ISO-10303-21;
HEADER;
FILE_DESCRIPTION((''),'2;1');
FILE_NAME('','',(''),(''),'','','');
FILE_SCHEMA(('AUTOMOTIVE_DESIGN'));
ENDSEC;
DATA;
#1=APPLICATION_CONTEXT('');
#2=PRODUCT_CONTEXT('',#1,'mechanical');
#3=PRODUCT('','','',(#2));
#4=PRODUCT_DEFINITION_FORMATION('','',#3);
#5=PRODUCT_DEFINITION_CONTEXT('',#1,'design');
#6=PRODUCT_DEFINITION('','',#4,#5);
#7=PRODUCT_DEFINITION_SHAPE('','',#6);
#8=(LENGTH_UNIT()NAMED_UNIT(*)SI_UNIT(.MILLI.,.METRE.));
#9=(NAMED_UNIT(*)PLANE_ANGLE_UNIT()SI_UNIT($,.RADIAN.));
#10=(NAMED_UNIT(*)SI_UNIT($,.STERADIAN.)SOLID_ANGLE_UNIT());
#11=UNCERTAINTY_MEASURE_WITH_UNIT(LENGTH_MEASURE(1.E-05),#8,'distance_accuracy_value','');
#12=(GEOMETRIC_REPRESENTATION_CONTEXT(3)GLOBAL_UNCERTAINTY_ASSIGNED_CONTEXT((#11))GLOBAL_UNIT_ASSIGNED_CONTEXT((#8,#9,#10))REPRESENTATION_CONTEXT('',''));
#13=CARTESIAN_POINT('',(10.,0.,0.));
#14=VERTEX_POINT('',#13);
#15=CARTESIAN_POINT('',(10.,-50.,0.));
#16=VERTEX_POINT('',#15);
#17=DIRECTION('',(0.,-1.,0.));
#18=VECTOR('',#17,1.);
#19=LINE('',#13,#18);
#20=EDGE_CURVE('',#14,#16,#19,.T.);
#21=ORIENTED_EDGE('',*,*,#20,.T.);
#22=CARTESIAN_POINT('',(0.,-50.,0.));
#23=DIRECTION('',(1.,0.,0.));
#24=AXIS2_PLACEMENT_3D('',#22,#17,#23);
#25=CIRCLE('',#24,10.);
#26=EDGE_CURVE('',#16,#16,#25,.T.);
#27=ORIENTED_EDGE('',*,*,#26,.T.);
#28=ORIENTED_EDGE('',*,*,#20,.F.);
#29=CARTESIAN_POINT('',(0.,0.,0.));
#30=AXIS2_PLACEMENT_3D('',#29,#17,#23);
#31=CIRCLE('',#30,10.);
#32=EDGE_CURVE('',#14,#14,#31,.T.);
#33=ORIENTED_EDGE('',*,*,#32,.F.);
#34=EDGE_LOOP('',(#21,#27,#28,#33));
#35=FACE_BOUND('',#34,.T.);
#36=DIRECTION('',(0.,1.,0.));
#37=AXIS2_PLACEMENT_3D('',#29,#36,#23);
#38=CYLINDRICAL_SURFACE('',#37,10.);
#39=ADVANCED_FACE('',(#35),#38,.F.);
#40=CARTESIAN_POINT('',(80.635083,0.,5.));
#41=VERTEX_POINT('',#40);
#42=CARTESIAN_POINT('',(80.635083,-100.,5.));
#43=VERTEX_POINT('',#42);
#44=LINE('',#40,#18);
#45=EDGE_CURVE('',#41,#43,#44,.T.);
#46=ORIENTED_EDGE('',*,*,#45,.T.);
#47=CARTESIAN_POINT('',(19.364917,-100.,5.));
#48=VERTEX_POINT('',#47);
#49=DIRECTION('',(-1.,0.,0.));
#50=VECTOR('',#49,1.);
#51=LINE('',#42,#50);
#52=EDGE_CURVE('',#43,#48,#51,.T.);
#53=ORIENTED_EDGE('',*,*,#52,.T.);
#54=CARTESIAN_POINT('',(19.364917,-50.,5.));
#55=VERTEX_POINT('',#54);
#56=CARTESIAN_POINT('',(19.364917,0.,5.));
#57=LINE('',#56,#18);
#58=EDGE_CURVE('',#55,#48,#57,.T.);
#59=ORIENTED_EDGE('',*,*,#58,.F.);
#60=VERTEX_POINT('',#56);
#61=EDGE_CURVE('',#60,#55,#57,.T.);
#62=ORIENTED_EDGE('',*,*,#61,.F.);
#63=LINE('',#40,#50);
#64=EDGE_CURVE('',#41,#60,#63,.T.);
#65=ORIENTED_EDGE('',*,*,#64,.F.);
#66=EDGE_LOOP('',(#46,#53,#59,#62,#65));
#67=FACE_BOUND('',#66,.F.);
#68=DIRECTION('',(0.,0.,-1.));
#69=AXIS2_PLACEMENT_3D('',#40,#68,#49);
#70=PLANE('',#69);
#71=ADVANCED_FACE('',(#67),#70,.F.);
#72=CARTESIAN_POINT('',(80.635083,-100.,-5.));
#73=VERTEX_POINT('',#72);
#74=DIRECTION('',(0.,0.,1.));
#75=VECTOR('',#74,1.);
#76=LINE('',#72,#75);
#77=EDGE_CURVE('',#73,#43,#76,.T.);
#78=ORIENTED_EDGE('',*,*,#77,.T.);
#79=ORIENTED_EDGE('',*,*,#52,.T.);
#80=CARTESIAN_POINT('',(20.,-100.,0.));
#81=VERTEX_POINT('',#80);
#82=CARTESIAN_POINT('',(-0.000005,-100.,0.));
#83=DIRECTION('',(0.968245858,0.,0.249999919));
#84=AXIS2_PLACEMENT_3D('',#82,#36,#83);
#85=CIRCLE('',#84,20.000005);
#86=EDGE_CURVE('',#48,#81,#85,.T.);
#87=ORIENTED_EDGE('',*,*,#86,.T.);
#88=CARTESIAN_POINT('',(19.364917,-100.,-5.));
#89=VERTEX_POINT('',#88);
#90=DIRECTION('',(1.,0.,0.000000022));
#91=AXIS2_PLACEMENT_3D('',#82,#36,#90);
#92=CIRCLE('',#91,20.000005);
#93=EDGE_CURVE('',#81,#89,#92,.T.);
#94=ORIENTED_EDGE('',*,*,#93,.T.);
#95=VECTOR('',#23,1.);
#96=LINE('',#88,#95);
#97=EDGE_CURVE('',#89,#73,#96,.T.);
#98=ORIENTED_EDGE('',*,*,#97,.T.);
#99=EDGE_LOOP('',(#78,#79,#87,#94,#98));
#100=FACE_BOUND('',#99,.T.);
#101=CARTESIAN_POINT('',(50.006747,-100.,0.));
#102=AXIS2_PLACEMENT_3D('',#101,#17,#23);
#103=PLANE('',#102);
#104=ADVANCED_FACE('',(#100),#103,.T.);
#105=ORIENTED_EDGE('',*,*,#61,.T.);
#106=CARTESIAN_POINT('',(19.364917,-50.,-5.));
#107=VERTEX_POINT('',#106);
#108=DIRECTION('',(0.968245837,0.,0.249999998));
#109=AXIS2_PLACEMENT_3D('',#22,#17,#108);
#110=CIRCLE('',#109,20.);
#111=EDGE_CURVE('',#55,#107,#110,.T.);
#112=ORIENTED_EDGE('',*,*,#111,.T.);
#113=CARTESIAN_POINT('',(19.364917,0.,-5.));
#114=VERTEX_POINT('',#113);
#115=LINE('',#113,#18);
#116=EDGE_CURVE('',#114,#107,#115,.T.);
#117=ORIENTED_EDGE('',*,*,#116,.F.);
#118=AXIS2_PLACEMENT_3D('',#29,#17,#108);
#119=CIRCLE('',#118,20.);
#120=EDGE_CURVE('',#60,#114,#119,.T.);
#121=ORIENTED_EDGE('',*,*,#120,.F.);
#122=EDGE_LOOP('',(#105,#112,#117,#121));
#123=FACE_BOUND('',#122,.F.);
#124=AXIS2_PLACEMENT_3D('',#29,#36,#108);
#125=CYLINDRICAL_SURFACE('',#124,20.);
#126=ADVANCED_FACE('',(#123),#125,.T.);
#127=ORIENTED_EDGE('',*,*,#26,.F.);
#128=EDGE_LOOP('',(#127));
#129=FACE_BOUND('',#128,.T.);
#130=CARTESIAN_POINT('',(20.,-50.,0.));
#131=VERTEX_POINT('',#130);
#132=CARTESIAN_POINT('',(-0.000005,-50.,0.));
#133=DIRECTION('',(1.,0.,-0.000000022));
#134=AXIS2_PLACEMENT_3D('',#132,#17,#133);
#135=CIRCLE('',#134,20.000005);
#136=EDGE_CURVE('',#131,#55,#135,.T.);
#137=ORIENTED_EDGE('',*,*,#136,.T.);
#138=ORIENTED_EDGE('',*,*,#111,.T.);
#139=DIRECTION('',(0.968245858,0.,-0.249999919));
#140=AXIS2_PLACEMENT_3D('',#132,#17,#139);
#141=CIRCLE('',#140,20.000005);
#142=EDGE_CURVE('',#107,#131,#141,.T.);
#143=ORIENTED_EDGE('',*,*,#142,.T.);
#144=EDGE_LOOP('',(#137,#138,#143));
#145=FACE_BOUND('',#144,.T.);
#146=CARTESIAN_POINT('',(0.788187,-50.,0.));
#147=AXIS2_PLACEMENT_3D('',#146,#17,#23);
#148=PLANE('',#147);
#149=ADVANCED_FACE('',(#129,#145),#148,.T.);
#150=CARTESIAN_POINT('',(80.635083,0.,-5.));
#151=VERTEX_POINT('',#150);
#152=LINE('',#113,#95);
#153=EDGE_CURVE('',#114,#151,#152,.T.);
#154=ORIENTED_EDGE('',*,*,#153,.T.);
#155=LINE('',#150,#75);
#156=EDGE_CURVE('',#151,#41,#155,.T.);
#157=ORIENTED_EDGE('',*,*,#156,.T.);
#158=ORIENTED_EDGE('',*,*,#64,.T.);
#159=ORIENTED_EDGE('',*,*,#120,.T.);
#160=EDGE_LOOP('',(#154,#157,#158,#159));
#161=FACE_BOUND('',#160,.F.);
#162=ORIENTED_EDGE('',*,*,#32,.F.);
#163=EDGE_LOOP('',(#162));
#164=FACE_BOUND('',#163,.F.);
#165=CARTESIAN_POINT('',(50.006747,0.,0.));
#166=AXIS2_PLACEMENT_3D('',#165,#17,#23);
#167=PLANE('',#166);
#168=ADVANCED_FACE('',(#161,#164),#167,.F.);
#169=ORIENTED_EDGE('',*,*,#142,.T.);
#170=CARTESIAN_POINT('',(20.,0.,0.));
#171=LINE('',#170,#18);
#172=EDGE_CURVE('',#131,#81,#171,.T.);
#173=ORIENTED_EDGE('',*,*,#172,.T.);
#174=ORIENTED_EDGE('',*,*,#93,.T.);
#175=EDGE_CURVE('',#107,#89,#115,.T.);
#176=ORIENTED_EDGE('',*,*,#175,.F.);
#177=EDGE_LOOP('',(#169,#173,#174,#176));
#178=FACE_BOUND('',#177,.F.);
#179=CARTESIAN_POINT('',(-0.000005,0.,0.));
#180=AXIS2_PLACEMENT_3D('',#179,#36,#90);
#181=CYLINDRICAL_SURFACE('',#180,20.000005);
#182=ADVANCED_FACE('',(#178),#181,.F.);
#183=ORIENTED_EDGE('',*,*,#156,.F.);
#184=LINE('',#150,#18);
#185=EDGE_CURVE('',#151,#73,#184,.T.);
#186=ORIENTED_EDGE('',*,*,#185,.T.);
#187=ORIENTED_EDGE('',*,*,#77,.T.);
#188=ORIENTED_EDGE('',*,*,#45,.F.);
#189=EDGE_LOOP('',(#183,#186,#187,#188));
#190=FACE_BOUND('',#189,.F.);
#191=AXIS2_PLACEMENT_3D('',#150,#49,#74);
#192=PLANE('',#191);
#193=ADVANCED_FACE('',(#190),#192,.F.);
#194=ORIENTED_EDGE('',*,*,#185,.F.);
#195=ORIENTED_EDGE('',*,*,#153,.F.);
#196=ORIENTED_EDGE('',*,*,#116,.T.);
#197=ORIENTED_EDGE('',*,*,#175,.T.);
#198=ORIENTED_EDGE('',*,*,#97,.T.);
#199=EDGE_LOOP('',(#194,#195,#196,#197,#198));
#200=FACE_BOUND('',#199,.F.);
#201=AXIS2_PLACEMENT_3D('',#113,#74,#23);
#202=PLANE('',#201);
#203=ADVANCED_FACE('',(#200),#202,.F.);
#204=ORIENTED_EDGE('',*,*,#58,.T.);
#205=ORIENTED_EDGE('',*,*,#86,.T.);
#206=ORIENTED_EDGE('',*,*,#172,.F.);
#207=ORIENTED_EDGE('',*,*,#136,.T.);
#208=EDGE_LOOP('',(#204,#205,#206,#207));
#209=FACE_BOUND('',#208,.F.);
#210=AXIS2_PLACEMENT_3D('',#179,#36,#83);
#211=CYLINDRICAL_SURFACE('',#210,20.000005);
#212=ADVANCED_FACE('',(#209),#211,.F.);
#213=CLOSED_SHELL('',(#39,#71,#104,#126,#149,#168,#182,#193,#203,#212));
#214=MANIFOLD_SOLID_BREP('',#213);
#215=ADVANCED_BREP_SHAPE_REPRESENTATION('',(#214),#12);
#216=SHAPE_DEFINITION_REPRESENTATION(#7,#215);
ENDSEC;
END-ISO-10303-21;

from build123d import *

# Parameters (mm, degrees)
F0_R     = 10
F1_DEPTH = 50
F2_DEPTH = 100


with BuildPart() as f1:
    # F0 (on Front) → F1 (new body)
    with BuildSketch(Plane.XZ):
        with BuildLine():
            ThreePointArc((19.364917, -5), (19.840594, -2.520086), (20, 0))
            ThreePointArc((20, 0), (19.840594, 2.520086), (19.364917, 5))
            ThreePointArc((19.364917, 5), (-20, 0), (19.364917, -5))
        make_face()
        Circle(F0_R, mode=Mode.SUBTRACT)
    extrude(amount=F1_DEPTH)

    # F0 (on Front) → F2 (join)
    with BuildSketch(Plane.XZ):
        with BuildLine():
            ThreePointArc((19.364917, 5), (19.840594, 2.520086), (20, 0))
            ThreePointArc((20, 0), (19.840594, -2.520086), (19.364917, -5))
            Line((19.364917, -5), (80.635083, -5))
            Line((80.635083, -5), (80.635083, 5))
            Line((80.635083, 5), (19.364917, 5))
        make_face()
    extrude(amount=F2_DEPTH)


solid = f1.part
